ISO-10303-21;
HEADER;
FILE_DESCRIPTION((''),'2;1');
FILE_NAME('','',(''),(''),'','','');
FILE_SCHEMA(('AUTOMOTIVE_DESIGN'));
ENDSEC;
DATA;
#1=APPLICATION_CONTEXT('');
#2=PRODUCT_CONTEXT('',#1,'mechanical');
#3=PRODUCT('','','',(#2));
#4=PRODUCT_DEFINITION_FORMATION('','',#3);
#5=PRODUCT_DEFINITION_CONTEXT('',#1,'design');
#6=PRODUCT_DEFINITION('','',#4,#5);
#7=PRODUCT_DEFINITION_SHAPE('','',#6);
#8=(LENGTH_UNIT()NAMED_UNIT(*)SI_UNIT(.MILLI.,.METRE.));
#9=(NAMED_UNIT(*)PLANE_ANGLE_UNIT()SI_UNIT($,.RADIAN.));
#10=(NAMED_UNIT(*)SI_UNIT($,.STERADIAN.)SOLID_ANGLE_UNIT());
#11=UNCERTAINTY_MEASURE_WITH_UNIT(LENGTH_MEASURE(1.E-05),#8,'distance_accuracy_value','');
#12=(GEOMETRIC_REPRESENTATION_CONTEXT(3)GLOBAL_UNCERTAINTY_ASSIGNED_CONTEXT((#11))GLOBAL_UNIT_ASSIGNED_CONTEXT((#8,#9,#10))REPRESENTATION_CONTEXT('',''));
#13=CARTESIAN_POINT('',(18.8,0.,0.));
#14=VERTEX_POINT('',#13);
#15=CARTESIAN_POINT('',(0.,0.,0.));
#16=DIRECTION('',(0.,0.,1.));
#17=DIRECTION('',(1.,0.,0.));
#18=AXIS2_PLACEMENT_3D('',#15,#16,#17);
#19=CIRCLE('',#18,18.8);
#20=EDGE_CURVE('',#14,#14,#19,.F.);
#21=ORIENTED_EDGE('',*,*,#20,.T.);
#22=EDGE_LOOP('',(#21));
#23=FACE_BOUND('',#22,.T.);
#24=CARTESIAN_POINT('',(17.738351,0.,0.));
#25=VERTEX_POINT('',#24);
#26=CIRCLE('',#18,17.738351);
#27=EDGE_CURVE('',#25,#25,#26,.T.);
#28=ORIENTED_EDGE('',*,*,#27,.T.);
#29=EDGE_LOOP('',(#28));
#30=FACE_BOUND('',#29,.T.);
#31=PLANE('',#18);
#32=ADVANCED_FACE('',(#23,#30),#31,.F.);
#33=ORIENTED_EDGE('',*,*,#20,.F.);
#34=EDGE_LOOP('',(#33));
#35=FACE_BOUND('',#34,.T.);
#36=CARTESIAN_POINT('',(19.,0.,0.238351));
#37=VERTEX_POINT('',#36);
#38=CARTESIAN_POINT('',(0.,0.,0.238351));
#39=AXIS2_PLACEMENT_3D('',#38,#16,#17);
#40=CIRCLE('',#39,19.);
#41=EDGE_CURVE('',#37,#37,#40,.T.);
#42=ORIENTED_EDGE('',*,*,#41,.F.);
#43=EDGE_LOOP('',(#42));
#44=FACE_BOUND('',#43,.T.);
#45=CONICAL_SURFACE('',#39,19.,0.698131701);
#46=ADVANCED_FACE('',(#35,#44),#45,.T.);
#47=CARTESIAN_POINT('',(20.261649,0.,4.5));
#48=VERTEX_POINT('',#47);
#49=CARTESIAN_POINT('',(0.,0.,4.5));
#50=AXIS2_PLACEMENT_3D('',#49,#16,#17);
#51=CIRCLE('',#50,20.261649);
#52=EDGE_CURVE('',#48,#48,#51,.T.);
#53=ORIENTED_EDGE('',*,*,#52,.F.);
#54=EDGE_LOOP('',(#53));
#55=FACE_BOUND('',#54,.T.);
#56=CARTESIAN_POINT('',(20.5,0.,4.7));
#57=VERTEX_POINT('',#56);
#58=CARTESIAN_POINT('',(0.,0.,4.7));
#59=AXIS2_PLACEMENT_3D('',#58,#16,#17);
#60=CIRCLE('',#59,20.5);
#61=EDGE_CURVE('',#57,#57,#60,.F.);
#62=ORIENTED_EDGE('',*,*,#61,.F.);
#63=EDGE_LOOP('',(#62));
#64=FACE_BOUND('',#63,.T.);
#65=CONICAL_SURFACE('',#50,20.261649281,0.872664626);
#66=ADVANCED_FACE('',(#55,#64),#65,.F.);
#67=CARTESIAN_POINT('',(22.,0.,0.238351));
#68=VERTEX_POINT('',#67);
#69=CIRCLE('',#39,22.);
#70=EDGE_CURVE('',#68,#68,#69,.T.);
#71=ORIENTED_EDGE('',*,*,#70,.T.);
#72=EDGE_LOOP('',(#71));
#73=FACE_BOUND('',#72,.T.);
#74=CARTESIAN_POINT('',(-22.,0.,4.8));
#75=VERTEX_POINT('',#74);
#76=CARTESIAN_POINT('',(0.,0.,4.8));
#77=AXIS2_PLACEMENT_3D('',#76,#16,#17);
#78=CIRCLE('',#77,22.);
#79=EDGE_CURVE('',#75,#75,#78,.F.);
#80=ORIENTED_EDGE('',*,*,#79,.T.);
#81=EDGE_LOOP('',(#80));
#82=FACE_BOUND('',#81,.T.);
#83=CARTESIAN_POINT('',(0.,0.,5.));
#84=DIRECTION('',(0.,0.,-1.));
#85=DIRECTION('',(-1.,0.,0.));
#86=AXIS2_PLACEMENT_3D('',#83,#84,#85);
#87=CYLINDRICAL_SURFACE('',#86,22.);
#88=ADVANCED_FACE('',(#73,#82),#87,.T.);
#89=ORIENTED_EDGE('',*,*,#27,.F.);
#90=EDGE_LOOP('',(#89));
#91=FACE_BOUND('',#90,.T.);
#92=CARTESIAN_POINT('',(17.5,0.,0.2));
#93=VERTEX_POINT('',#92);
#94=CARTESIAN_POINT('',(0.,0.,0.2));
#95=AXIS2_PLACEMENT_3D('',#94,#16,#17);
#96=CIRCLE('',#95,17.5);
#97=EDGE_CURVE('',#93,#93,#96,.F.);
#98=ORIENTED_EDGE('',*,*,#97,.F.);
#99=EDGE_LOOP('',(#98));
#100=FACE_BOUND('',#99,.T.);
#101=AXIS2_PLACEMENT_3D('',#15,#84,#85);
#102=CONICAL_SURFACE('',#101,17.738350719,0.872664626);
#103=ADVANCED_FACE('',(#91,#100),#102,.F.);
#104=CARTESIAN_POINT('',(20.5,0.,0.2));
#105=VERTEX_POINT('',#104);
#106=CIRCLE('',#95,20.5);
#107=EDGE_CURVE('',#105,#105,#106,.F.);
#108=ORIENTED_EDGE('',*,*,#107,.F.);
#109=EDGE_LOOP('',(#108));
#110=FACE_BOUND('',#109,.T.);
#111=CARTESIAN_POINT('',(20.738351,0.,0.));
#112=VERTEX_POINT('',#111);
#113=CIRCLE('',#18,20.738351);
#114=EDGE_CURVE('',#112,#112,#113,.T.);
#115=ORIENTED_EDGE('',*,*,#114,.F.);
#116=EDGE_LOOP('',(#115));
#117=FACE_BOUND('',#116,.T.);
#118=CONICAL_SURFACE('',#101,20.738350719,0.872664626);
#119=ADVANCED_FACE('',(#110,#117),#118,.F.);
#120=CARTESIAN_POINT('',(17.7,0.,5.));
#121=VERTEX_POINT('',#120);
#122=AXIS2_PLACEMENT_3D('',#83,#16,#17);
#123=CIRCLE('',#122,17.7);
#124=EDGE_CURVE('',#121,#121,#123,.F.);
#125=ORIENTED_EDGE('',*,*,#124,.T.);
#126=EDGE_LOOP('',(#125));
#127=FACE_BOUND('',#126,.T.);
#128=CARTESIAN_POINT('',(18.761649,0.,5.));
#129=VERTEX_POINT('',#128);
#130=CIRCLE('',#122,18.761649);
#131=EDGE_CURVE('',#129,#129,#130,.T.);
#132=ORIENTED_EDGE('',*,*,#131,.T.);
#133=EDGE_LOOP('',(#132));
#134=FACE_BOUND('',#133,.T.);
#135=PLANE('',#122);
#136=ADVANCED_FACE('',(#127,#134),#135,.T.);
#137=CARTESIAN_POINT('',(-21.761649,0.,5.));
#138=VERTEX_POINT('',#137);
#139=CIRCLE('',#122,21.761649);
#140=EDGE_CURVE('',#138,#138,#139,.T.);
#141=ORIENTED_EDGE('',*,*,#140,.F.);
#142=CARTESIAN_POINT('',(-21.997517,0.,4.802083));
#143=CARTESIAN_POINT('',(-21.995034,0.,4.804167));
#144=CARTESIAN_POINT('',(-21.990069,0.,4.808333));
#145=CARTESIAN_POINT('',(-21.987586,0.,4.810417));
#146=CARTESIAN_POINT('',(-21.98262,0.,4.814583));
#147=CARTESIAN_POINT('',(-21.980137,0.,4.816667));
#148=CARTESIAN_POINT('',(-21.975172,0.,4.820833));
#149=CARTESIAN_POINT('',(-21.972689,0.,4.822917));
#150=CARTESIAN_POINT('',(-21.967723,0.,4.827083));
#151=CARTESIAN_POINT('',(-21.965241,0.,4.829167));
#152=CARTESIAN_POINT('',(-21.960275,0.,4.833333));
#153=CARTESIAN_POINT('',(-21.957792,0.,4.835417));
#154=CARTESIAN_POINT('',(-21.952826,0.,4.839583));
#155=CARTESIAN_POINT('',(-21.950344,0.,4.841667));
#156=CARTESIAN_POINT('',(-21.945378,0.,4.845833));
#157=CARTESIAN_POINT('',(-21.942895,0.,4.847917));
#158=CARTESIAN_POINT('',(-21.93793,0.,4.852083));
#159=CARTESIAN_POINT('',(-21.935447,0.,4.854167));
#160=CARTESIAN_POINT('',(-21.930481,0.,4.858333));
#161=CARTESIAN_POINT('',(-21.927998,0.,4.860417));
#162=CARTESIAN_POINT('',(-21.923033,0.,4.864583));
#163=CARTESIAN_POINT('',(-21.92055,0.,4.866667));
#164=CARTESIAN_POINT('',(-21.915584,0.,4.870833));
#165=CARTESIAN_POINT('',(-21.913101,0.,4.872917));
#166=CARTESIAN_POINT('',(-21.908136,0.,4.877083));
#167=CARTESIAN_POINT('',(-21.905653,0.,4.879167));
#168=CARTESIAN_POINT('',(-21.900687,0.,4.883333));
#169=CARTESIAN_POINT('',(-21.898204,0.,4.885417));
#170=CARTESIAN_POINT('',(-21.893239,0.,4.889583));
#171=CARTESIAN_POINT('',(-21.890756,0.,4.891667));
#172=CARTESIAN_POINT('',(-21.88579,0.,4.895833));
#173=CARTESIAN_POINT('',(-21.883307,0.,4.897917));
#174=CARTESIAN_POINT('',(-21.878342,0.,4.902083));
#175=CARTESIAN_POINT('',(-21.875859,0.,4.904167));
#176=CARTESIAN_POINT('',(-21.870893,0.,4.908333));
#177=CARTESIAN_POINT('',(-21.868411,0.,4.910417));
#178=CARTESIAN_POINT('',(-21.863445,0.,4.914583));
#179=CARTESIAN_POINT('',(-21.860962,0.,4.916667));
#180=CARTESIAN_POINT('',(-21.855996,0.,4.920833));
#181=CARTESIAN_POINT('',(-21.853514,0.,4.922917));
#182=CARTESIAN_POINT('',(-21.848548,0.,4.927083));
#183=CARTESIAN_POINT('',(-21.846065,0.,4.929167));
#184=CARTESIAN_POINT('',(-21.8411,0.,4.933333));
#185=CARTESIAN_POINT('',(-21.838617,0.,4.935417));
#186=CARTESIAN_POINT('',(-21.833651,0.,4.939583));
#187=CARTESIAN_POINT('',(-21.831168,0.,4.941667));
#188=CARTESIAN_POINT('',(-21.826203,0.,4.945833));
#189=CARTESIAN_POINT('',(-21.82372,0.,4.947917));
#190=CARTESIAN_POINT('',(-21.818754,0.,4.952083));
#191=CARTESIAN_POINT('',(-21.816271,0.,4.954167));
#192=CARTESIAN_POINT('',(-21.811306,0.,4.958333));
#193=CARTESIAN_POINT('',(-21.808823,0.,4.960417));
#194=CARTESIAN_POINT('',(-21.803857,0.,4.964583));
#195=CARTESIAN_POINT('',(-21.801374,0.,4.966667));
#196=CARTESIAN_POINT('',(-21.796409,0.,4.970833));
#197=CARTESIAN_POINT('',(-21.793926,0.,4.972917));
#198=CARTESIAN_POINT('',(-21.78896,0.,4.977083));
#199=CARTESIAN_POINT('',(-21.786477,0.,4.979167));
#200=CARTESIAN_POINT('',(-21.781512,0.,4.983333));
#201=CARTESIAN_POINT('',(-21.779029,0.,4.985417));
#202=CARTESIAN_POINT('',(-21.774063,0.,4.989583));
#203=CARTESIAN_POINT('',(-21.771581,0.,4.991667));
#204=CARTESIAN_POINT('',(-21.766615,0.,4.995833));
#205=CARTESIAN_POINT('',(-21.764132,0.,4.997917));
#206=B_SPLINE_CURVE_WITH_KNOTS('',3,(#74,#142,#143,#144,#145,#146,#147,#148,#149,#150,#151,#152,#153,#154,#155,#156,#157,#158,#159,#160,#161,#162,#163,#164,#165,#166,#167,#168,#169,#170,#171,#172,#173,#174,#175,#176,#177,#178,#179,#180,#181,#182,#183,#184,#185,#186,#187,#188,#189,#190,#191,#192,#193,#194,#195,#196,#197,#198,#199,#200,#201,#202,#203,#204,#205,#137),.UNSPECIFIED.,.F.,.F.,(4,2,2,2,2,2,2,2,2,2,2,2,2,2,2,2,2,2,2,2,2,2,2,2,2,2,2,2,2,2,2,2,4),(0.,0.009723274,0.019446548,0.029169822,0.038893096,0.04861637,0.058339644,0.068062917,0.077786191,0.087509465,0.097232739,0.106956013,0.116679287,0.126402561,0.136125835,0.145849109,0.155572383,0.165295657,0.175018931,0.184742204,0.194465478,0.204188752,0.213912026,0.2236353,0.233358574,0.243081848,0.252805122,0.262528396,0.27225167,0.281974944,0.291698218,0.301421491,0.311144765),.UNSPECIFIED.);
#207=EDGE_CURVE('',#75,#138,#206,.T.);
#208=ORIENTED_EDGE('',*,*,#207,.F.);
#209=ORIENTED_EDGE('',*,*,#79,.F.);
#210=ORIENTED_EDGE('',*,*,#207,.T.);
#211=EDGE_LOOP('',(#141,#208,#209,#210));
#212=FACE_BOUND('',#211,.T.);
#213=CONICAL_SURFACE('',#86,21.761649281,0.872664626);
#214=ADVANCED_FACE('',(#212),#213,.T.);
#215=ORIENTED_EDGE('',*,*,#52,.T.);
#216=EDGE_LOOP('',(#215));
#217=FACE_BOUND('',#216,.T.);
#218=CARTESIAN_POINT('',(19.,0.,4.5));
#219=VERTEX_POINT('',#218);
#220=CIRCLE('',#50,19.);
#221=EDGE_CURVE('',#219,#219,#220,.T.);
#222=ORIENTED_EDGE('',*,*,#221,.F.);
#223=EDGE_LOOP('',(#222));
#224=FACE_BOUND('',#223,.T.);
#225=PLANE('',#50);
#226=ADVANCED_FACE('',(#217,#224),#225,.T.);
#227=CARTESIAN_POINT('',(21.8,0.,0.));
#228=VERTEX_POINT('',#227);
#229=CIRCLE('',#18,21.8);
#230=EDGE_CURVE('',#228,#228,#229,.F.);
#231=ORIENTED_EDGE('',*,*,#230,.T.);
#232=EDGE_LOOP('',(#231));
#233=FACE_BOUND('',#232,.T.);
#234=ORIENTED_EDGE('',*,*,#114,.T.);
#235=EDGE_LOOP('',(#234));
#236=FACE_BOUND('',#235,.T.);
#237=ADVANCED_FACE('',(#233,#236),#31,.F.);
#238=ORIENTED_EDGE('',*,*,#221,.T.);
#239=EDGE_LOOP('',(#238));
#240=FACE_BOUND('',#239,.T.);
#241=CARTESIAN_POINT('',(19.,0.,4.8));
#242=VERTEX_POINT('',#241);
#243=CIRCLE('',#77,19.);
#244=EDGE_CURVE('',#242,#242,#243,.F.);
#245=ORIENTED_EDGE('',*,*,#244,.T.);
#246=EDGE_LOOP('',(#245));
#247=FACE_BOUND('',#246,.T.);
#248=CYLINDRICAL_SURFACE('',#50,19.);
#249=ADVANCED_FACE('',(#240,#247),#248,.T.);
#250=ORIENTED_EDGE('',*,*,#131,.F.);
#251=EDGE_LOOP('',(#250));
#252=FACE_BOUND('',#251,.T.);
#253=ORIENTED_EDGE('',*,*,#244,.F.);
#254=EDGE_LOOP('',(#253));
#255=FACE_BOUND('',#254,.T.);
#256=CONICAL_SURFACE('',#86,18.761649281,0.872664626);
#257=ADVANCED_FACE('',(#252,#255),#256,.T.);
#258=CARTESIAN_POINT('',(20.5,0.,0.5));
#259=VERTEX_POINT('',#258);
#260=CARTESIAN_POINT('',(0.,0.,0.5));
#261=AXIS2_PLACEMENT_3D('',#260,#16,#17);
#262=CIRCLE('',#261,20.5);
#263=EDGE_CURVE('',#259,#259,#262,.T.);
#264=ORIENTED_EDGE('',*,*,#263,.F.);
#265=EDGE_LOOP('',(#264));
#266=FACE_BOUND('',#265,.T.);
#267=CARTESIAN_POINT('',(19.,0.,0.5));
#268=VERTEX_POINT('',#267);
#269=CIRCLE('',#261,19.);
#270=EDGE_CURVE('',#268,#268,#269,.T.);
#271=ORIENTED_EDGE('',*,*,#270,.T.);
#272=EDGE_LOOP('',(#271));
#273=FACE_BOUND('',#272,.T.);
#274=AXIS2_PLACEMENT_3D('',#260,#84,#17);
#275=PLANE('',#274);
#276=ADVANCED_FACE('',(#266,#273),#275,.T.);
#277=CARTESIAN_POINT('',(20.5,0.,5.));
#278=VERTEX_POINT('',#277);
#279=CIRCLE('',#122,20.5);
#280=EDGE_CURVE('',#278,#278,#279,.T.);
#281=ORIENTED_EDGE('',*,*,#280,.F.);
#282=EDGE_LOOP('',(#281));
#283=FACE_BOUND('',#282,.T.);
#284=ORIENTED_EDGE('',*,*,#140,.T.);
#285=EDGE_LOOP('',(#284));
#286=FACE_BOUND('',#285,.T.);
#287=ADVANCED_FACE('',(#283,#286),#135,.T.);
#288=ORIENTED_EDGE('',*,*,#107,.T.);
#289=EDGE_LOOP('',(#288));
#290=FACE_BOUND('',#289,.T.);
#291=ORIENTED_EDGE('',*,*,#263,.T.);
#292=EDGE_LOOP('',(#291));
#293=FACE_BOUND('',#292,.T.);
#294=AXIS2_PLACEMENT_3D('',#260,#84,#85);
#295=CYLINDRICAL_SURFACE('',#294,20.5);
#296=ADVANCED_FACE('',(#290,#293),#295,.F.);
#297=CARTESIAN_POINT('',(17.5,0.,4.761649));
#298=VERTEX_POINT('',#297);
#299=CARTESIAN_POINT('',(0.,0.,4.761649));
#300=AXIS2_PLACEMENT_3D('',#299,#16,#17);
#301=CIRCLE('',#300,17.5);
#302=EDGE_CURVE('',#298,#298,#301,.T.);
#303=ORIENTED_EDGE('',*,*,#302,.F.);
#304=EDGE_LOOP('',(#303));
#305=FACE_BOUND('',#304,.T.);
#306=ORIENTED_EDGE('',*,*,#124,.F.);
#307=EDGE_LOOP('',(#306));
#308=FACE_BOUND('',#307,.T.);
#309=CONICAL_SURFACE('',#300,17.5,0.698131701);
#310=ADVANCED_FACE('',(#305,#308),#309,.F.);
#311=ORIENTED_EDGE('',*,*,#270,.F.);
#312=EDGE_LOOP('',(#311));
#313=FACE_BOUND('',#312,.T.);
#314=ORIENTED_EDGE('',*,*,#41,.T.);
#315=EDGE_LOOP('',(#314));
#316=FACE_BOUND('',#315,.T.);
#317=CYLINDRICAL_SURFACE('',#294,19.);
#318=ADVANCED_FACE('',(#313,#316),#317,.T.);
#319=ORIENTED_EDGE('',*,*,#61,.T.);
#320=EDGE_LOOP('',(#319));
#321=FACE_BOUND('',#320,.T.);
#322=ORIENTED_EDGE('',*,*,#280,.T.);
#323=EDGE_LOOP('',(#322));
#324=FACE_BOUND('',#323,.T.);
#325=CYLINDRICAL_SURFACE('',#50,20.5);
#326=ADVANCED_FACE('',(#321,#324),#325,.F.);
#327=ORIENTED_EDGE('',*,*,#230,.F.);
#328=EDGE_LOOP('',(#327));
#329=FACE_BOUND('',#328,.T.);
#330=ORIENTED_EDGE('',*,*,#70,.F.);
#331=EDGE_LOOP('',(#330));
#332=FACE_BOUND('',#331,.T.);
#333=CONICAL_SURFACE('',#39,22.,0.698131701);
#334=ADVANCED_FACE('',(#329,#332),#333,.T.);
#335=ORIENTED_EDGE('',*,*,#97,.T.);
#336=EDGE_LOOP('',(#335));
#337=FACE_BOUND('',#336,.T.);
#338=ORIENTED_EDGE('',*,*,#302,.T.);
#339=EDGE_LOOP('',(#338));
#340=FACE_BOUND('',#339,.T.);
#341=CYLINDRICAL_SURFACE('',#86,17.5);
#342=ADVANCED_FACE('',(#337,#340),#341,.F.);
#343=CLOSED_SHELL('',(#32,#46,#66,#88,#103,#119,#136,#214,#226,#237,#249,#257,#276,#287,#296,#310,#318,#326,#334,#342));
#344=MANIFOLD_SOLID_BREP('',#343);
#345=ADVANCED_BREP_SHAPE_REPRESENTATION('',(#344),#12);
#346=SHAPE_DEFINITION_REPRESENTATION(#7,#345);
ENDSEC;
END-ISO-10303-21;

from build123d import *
from OCP.BRepFilletAPI import BRepFilletAPI_MakeChamfer

# Parameters (mm, degrees)
SKETCH_1_R          = 22
SKETCH_1_R_2        = 17.5
EXTRUDE_1_DEPTH     = 5
SKETCH_2_R          = 20.5
SKETCH_2_R_2        = 19
CUT_EXTRUDE_1_DEPTH = 0.5
CHAMFER_1_SIZE      = 0.2
CHAMFER_1_SIZE2     = 0.238350719
CHAMFER_2_SIZE      = 0.2
CHAMFER_2_SIZE2     = 0.238350719


with BuildPart() as part:
    # 草图1 → 凸台-拉伸1 (new body)
    with BuildSketch(Plane.XY):
        Circle(SKETCH_1_R)
        Circle(SKETCH_1_R_2, mode=Mode.SUBTRACT)
    extrude(amount=EXTRUDE_1_DEPTH)

    # 草图2 → 切除-拉伸1 (cut)
    with BuildSketch(Plane.XY.offset(5)):
        Circle(SKETCH_2_R)
        Circle(SKETCH_2_R_2, mode=Mode.SUBTRACT)
    cut_extrude_1 = extrude(amount=-CUT_EXTRUDE_1_DEPTH, mode=Mode.SUBTRACT)

    # 倒角1: one chamfer whose edges measure the first distance from different faces: ONE call of the kernel's chamfer builder (chamfer() names one face for all edges)
    chamfer_1_edges_1 = [part.edges().sort_by_distance(p)[0] for p in [
        (-20.5, 0, 4.5),
    ]]
    chamfer_1_side_1 = [part.faces().sort_by_distance(p)[0] for p in [
        (-20.5, 0, 4.75),
    ]]
    chamfer_1_edges_2 = [part.edges().sort_by_distance(p)[0] for p in [
        (-19, 0, 5),
    ]]
    chamfer_1_side_2 = [part.faces().sort_by_distance(p)[0] for p in [
        (-19, 0, 4.75),
    ]]
    chamfer_1_edges_3 = [part.edges().sort_by_distance(p)[0] for p in [
        (-22, 0, 5),
    ]]
    chamfer_1_side_3 = [part.faces().sort_by_distance(p)[0] for p in [
        (-22, 0, 2.5),
    ]]
    chamfer_1_edges_4 = [part.edges().sort_by_distance(p)[0] for p in [
        (-17.5, 0, 5),
    ]]
    chamfer_1_side_4 = [part.faces().sort_by_distance(p)[0] for p in [
        (-18.462598846, 0, 5),
    ]]
    chamfer_1 = BRepFilletAPI_MakeChamfer(part.part.solid().wrapped)
    for e in chamfer_1_edges_1:
        chamfer_1.Add(CHAMFER_1_SIZE, CHAMFER_1_SIZE2, e.wrapped, chamfer_1_side_1[0].wrapped)  # the first distance lies on this face
    for e in chamfer_1_edges_2:
        chamfer_1.Add(CHAMFER_1_SIZE, CHAMFER_1_SIZE2, e.wrapped, chamfer_1_side_2[0].wrapped)  # the first distance lies on this face
    for e in chamfer_1_edges_3:
        chamfer_1.Add(CHAMFER_1_SIZE, CHAMFER_1_SIZE2, e.wrapped, chamfer_1_side_3[0].wrapped)  # the first distance lies on this face
    for e in chamfer_1_edges_4:
        chamfer_1.Add(CHAMFER_1_SIZE, CHAMFER_1_SIZE2, e.wrapped, chamfer_1_side_4[0].wrapped)  # the first distance lies on this face
    add(Compound.cast(chamfer_1.Shape()), mode=Mode.REPLACE)

    # 镜向1: 切除-拉伸1 across plane
    add(cut_extrude_1.mirror(Plane.XY.offset(2.5)), mode=Mode.SUBTRACT)

    # 倒角2: one chamfer whose edges measure the first distance from different faces: ONE call of the kernel's chamfer builder (chamfer() names one face for all edges)
    chamfer_2_edges_1 = [part.edges().sort_by_distance(p)[0] for p in [
        (-22, 0, 0),
    ]]
    chamfer_2_side_1 = [part.faces().sort_by_distance(p)[0] for p in [
        (-21.377746033, 0, 0),
    ]]
    chamfer_2_edges_2 = [part.edges().sort_by_distance(p)[0] for p in [
        (-19, 0, 0),
    ]]
    chamfer_2_side_2 = [part.faces().sort_by_distance(p)[0] for p in [
        (-18.462598846, 0, 0),
    ]]
    chamfer_2_edges_3 = [part.edges().sort_by_distance(p)[0] for p in [
        (-20.5, 0, 0),
    ]]
    chamfer_2_side_3 = [part.faces().sort_by_distance(p)[0] for p in [
        (-20.5, 0, 0.25),
    ]]
    chamfer_2_edges_4 = [part.edges().sort_by_distance(p)[0] for p in [
        (-17.5, 0, 0),
    ]]
    chamfer_2_side_4 = [part.faces().sort_by_distance(p)[0] for p in [
        (-17.5, 0, 2.380824641),
    ]]
    chamfer_2 = BRepFilletAPI_MakeChamfer(part.part.solid().wrapped)
    for e in chamfer_2_edges_1:
        chamfer_2.Add(CHAMFER_2_SIZE, CHAMFER_2_SIZE2, e.wrapped, chamfer_2_side_1[0].wrapped)  # the first distance lies on this face
    for e in chamfer_2_edges_2:
        chamfer_2.Add(CHAMFER_2_SIZE, CHAMFER_2_SIZE2, e.wrapped, chamfer_2_side_2[0].wrapped)  # the first distance lies on this face
    for e in chamfer_2_edges_3:
        chamfer_2.Add(CHAMFER_2_SIZE, CHAMFER_2_SIZE2, e.wrapped, chamfer_2_side_3[0].wrapped)  # the first distance lies on this face
    for e in chamfer_2_edges_4:
        chamfer_2.Add(CHAMFER_2_SIZE, CHAMFER_2_SIZE2, e.wrapped, chamfer_2_side_4[0].wrapped)  # the first distance lies on this face
    add(Compound.cast(chamfer_2.Shape()), mode=Mode.REPLACE)


solid = part.part
